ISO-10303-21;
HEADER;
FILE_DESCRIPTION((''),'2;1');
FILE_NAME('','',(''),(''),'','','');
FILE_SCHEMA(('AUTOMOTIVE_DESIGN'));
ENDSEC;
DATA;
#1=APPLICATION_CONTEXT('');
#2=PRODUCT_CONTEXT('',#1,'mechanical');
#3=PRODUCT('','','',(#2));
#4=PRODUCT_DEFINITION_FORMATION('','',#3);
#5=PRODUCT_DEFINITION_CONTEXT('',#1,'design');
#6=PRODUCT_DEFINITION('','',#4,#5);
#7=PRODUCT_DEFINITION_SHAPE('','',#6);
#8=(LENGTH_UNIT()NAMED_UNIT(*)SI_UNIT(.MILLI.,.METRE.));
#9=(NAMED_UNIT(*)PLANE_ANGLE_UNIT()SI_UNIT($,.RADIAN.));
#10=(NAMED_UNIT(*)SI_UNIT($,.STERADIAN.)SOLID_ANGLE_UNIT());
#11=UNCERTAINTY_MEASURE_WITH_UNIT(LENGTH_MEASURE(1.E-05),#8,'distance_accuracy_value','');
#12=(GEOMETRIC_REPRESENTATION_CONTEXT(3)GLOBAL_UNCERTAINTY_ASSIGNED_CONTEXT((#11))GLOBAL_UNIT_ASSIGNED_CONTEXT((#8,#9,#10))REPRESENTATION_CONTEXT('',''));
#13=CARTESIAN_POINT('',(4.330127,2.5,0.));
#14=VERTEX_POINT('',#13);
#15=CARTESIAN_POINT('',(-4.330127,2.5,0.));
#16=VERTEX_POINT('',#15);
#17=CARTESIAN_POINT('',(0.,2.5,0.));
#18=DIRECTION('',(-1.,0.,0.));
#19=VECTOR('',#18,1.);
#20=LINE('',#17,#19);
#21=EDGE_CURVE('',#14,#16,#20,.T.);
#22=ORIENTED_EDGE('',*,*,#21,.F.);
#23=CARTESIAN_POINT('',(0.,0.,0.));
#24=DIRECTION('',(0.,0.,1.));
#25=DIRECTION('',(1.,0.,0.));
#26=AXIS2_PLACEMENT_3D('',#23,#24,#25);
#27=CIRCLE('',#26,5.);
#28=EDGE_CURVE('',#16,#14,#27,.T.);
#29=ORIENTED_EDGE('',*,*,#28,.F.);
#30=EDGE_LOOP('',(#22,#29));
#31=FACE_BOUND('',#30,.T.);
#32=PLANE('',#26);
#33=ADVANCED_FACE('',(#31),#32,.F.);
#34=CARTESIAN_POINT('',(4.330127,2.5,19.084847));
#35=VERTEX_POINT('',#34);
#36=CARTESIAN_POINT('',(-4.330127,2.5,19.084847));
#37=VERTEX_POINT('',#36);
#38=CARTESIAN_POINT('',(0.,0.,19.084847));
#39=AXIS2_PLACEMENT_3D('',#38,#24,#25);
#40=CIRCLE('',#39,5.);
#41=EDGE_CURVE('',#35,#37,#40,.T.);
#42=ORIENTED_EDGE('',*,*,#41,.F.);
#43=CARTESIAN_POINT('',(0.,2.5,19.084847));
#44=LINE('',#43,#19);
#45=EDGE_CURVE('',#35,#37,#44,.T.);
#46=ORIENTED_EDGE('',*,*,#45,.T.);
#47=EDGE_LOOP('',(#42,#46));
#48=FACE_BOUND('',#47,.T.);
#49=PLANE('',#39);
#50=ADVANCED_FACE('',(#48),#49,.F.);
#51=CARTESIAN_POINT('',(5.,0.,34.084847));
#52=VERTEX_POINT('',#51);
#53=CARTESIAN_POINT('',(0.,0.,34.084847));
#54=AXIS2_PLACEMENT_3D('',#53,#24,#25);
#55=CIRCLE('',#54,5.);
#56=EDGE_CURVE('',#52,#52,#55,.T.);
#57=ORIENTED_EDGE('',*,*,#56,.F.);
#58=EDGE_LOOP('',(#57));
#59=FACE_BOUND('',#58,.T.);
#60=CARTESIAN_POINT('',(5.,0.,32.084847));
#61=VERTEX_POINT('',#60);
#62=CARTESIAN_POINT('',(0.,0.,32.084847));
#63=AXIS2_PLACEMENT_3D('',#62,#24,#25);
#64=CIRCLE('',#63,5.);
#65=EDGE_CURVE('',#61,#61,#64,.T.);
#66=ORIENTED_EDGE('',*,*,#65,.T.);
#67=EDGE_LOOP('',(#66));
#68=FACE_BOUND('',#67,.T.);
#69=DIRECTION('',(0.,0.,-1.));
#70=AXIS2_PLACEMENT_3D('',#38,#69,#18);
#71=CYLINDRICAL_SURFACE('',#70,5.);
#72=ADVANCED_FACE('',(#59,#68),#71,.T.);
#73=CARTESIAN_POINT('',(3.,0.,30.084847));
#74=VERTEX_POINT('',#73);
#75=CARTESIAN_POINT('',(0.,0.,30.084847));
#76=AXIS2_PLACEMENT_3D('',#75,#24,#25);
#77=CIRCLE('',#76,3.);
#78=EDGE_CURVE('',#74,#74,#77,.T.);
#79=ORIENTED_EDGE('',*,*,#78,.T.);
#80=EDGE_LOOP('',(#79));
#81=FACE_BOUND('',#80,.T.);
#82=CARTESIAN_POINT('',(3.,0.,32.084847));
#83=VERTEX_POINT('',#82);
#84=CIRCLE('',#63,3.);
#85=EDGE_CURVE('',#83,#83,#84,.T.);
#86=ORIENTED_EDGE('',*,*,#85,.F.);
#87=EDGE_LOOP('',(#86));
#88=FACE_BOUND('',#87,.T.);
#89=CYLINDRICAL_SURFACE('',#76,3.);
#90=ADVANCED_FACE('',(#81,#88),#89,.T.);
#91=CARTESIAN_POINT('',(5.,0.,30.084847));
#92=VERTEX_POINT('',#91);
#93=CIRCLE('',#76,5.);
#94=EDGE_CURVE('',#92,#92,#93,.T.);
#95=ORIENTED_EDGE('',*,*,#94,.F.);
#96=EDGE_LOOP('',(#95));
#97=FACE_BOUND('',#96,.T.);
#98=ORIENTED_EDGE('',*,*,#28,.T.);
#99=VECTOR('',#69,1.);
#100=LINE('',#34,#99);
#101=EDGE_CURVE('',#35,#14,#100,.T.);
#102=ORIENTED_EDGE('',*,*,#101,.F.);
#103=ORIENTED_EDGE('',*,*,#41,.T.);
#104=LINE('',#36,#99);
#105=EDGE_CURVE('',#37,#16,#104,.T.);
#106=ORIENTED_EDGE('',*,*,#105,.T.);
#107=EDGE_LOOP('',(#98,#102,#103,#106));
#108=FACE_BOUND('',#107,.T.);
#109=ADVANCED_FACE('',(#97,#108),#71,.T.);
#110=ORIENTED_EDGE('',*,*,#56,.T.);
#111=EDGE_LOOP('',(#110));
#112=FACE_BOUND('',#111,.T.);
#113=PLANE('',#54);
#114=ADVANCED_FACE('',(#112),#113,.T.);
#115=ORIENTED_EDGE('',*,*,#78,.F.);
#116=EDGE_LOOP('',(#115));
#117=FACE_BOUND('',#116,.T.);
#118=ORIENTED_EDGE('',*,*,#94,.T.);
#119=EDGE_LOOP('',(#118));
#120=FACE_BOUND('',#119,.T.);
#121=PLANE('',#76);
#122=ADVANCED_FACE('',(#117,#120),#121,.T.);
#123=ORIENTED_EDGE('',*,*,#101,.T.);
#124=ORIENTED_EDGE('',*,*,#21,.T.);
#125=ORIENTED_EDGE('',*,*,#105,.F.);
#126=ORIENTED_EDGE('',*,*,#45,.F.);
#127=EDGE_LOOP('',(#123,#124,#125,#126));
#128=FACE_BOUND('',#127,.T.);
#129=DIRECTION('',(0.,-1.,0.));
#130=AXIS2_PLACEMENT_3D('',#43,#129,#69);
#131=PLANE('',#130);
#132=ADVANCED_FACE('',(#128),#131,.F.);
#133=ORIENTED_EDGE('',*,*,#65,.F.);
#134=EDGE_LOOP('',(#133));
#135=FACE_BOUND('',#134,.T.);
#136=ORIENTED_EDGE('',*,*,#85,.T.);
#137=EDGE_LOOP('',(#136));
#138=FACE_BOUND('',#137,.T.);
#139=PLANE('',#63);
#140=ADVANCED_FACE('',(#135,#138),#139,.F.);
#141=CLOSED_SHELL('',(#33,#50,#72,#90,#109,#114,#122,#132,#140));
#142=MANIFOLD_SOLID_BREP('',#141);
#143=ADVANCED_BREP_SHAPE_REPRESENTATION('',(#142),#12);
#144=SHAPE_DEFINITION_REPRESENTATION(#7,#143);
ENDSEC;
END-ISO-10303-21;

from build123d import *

# Parameters (mm, degrees)
BOSS_EXTRUDE1_DEPTH = 19.0848469
SKETCH2_R           = 5
BOSS_EXTRUDE2_DEPTH = 15
CUT_EXTRUDE1_START  = -2
SKETCH3_R           = 5
SKETCH3_R_2         = 3
CUT_EXTRUDE1_DEPTH  = 2


with BuildPart() as part:
    # Sketch1 → Boss-Extrude1 (new body)
    with BuildSketch(Plane.XY):
        with BuildLine():
            Line((0, 2.5), (-4.330127019, 2.5))
            ThreePointArc((-4.330127019, 2.5), (0, -5), (4.330127019, 2.5))
            Line((4.330127019, 2.5), (0, 2.5))
        make_face()
    extrude(amount=BOSS_EXTRUDE1_DEPTH)

    # Sketch2 → Boss-Extrude2 (add)
    with BuildSketch(Plane.XY.offset(19.0848469)):
        with Locations(Location((0, 0, 0), (0, 0, 150))):
            Circle(SKETCH2_R)
    extrude(amount=BOSS_EXTRUDE2_DEPTH)

    # Sketch3 → Cut-Extrude1 (cut)
    with BuildSketch(Plane.XY.offset(32.0848469).offset(CUT_EXTRUDE1_START)):
        with Locations(Location((0, 0, 0), (0, 0, 150))):
            Circle(SKETCH3_R)
        Circle(SKETCH3_R_2, mode=Mode.SUBTRACT)
    extrude(amount=CUT_EXTRUDE1_DEPTH, mode=Mode.SUBTRACT)


solid = part.part
